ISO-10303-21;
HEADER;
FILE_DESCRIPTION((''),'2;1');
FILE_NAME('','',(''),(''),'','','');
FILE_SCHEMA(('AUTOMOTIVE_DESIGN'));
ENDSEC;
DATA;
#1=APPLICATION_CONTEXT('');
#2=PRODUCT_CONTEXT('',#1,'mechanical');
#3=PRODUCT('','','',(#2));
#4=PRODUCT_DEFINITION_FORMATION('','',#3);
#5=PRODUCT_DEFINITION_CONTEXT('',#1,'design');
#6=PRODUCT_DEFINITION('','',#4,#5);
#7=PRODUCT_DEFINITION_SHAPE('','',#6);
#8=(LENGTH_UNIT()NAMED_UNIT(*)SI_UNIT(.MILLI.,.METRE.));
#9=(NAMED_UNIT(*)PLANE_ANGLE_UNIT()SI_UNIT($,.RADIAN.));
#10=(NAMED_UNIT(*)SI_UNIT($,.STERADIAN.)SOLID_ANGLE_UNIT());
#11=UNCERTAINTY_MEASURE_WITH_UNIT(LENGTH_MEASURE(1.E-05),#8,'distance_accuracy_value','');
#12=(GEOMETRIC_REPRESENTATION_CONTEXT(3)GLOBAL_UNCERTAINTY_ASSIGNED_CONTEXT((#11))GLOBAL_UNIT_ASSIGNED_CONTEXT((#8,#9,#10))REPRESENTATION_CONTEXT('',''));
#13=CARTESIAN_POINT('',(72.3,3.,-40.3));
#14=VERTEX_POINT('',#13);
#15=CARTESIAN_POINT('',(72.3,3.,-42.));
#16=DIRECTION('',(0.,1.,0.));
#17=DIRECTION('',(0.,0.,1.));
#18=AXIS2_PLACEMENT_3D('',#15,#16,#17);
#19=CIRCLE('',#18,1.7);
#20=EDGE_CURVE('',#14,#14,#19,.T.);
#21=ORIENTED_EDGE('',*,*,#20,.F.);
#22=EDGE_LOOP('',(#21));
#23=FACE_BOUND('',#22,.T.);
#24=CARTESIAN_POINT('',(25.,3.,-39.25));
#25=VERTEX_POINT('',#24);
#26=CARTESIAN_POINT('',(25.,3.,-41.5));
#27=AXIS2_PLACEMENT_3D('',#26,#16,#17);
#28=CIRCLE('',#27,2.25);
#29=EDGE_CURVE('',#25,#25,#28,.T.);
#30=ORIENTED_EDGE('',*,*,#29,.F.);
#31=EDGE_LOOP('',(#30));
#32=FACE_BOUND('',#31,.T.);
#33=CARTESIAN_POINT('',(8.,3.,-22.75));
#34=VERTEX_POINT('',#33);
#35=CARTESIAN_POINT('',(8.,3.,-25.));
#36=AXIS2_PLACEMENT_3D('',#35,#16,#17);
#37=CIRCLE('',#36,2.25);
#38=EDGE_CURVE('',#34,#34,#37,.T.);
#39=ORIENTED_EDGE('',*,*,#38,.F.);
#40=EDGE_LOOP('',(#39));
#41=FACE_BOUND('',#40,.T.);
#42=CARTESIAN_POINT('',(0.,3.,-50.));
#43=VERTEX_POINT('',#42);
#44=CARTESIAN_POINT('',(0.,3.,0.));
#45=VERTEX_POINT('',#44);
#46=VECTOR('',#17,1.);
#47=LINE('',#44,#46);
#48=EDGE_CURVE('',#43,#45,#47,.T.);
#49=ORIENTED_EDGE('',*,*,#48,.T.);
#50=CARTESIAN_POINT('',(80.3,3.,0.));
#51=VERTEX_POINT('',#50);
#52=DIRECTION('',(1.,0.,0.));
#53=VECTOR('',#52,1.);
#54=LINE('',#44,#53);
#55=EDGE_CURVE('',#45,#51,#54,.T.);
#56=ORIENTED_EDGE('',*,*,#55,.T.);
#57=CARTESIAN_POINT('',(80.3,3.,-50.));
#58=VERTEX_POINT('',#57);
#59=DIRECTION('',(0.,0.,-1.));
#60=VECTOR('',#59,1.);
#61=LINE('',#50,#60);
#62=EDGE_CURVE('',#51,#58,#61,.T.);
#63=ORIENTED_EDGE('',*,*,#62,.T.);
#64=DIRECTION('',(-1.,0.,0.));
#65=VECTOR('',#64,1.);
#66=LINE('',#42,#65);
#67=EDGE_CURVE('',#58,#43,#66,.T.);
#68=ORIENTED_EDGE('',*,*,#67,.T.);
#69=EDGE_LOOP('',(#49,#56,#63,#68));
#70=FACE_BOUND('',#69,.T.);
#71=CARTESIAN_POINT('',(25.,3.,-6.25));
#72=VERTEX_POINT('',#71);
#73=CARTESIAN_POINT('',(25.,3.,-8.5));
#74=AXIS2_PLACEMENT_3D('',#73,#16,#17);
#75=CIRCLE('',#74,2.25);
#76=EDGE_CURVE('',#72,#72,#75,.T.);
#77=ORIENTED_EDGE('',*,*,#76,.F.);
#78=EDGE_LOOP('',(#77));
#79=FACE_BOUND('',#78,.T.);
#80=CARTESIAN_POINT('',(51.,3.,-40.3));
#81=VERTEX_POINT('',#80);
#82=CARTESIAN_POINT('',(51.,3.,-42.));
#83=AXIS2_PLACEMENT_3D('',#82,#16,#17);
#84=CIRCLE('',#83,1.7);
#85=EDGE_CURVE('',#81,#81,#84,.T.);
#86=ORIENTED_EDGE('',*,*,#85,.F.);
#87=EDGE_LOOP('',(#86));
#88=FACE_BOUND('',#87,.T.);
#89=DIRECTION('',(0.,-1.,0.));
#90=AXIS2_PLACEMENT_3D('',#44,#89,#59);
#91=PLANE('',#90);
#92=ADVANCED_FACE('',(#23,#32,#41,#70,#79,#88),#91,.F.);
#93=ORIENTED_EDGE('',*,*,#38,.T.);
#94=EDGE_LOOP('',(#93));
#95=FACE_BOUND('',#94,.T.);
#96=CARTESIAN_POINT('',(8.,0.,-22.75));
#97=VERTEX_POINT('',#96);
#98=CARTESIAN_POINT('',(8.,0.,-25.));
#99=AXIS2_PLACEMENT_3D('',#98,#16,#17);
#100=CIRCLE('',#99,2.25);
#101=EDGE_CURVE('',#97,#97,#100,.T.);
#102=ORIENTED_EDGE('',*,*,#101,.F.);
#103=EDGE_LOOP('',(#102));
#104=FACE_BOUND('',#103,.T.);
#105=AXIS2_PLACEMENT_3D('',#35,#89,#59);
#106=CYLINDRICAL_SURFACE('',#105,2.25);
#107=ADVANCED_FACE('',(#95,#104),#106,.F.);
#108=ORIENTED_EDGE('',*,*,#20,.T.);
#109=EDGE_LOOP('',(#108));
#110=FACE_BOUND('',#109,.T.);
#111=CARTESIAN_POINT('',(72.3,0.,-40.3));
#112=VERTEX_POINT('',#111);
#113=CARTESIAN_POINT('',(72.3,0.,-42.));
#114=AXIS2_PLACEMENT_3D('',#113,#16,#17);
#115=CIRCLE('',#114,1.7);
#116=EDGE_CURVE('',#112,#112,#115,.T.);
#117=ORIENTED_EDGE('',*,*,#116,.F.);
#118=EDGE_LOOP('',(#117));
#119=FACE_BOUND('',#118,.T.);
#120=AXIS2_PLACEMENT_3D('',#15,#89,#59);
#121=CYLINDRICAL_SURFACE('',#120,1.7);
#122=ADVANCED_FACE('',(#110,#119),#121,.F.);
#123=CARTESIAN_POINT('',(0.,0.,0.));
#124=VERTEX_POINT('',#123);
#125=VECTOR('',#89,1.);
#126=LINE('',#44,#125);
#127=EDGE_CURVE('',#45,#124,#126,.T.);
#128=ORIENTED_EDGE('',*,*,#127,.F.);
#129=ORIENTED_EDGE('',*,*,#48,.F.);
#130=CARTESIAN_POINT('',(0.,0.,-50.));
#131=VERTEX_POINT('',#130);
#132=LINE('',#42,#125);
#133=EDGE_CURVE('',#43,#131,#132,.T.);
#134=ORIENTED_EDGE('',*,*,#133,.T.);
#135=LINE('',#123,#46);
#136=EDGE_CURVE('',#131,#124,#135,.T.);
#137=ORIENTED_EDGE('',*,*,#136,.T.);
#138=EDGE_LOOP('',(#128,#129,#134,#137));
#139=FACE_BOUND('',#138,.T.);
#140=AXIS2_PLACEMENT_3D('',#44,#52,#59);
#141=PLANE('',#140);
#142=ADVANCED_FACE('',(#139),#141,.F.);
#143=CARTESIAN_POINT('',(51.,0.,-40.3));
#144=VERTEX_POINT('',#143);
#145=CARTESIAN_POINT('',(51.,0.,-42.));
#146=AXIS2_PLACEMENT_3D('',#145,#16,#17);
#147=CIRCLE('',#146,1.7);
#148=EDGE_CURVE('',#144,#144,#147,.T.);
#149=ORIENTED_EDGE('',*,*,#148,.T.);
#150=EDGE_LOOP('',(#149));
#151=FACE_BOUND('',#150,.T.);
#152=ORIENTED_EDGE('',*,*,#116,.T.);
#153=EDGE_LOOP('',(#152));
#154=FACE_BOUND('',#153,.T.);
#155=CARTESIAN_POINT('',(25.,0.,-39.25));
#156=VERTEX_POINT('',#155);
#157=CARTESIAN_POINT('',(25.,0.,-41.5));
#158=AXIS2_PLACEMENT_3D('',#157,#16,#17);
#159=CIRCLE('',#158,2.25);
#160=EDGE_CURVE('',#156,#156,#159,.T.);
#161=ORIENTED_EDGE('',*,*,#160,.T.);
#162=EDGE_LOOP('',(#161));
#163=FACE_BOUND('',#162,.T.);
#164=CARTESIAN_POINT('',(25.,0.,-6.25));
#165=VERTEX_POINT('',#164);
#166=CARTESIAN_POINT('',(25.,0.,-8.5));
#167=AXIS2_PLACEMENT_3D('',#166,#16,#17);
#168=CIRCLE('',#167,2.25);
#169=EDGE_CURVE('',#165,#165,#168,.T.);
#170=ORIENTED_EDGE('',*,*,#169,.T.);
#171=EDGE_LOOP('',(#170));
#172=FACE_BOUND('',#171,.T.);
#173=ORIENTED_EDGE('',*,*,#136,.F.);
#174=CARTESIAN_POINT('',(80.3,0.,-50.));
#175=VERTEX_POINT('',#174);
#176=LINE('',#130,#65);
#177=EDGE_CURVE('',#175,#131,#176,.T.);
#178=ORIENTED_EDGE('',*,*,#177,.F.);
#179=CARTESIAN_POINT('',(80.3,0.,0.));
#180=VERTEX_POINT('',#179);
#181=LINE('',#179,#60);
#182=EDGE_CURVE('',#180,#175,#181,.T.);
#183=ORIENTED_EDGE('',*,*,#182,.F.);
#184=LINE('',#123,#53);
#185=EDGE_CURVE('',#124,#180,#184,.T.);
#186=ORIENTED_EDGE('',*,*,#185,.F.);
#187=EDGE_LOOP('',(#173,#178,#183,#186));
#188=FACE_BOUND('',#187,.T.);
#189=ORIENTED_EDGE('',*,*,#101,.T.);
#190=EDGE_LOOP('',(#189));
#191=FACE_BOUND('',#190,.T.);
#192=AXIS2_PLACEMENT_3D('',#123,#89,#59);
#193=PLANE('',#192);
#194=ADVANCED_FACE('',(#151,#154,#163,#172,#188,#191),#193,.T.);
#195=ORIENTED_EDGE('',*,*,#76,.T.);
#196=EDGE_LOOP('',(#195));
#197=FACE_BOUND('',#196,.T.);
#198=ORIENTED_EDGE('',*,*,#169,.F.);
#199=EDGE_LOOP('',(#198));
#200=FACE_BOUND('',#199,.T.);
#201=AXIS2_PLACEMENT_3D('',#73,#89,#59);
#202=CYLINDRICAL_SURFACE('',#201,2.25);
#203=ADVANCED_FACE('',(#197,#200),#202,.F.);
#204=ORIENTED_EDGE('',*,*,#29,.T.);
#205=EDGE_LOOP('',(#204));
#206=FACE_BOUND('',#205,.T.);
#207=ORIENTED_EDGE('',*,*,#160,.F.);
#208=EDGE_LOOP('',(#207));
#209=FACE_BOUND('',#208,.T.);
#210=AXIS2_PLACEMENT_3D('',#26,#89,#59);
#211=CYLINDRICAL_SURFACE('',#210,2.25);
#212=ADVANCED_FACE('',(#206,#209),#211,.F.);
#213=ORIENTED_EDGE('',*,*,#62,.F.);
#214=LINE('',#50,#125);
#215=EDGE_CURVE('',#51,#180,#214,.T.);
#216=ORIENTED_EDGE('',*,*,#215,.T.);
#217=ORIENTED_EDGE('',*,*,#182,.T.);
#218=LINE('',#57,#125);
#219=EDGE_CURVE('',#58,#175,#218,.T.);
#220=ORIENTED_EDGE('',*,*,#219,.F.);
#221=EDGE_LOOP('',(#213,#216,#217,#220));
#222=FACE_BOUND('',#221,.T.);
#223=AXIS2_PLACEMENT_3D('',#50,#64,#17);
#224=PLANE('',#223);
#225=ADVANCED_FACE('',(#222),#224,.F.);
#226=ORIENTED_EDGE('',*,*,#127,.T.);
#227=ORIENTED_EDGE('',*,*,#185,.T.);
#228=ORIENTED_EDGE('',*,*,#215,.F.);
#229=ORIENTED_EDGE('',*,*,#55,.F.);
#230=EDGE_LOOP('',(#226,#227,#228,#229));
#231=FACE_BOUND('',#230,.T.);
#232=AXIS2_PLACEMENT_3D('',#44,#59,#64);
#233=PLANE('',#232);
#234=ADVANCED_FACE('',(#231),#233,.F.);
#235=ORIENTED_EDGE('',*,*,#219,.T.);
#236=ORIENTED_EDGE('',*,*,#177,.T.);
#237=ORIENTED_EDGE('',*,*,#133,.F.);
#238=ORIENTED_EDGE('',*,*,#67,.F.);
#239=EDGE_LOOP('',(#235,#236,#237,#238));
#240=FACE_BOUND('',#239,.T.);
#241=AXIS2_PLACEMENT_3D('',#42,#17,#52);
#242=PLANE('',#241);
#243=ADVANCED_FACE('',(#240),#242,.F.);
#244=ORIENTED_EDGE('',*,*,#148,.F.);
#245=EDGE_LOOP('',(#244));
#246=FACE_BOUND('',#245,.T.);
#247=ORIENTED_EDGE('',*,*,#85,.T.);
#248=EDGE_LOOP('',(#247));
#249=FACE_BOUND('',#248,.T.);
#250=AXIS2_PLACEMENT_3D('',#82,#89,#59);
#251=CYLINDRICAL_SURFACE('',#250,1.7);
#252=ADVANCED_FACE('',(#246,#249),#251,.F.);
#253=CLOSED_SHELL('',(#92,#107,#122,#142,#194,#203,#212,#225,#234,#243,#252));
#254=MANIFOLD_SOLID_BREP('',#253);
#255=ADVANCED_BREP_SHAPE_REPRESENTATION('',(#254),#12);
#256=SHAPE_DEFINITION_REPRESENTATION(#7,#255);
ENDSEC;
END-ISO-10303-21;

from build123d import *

# Parameters (mm, degrees)
SKETCH1_W           = 80.3
SKETCH1_H           = 50
SKETCH1_R           = 1.7
SKETCH1_R_2         = 2.25
BOSS_EXTRUDE1_DEPTH = 3


with BuildPart() as part:
    # Sketch1 → Boss-Extrude1 (new body)
    with BuildSketch(Plane(origin=(0, 0, 0), x_dir=(1, 0, 0), z_dir=(0, 1, 0))):
        with Locations((40.15, 25)):
            Rectangle(SKETCH1_W, SKETCH1_H)
        with Locations(Location((51, 42, 0), (0, 0, 270))):
            Circle(SKETCH1_R, mode=Mode.SUBTRACT)
        with Locations(Location((72.3, 42, 0), (0, 0, 270))):
            Circle(SKETCH1_R, mode=Mode.SUBTRACT)
        with Locations(Location((8, 25, 0), (0, 0, 270))):
            Circle(SKETCH1_R_2, mode=Mode.SUBTRACT)
        with Locations(Location((25, 8.5, 0), (0, 0, 270))):
            Circle(SKETCH1_R_2, mode=Mode.SUBTRACT)
        with Locations(Location((25, 41.5, 0), (0, 0, 270))):
            Circle(SKETCH1_R_2, mode=Mode.SUBTRACT)
    extrude(amount=BOSS_EXTRUDE1_DEPTH)


solid = part.part
